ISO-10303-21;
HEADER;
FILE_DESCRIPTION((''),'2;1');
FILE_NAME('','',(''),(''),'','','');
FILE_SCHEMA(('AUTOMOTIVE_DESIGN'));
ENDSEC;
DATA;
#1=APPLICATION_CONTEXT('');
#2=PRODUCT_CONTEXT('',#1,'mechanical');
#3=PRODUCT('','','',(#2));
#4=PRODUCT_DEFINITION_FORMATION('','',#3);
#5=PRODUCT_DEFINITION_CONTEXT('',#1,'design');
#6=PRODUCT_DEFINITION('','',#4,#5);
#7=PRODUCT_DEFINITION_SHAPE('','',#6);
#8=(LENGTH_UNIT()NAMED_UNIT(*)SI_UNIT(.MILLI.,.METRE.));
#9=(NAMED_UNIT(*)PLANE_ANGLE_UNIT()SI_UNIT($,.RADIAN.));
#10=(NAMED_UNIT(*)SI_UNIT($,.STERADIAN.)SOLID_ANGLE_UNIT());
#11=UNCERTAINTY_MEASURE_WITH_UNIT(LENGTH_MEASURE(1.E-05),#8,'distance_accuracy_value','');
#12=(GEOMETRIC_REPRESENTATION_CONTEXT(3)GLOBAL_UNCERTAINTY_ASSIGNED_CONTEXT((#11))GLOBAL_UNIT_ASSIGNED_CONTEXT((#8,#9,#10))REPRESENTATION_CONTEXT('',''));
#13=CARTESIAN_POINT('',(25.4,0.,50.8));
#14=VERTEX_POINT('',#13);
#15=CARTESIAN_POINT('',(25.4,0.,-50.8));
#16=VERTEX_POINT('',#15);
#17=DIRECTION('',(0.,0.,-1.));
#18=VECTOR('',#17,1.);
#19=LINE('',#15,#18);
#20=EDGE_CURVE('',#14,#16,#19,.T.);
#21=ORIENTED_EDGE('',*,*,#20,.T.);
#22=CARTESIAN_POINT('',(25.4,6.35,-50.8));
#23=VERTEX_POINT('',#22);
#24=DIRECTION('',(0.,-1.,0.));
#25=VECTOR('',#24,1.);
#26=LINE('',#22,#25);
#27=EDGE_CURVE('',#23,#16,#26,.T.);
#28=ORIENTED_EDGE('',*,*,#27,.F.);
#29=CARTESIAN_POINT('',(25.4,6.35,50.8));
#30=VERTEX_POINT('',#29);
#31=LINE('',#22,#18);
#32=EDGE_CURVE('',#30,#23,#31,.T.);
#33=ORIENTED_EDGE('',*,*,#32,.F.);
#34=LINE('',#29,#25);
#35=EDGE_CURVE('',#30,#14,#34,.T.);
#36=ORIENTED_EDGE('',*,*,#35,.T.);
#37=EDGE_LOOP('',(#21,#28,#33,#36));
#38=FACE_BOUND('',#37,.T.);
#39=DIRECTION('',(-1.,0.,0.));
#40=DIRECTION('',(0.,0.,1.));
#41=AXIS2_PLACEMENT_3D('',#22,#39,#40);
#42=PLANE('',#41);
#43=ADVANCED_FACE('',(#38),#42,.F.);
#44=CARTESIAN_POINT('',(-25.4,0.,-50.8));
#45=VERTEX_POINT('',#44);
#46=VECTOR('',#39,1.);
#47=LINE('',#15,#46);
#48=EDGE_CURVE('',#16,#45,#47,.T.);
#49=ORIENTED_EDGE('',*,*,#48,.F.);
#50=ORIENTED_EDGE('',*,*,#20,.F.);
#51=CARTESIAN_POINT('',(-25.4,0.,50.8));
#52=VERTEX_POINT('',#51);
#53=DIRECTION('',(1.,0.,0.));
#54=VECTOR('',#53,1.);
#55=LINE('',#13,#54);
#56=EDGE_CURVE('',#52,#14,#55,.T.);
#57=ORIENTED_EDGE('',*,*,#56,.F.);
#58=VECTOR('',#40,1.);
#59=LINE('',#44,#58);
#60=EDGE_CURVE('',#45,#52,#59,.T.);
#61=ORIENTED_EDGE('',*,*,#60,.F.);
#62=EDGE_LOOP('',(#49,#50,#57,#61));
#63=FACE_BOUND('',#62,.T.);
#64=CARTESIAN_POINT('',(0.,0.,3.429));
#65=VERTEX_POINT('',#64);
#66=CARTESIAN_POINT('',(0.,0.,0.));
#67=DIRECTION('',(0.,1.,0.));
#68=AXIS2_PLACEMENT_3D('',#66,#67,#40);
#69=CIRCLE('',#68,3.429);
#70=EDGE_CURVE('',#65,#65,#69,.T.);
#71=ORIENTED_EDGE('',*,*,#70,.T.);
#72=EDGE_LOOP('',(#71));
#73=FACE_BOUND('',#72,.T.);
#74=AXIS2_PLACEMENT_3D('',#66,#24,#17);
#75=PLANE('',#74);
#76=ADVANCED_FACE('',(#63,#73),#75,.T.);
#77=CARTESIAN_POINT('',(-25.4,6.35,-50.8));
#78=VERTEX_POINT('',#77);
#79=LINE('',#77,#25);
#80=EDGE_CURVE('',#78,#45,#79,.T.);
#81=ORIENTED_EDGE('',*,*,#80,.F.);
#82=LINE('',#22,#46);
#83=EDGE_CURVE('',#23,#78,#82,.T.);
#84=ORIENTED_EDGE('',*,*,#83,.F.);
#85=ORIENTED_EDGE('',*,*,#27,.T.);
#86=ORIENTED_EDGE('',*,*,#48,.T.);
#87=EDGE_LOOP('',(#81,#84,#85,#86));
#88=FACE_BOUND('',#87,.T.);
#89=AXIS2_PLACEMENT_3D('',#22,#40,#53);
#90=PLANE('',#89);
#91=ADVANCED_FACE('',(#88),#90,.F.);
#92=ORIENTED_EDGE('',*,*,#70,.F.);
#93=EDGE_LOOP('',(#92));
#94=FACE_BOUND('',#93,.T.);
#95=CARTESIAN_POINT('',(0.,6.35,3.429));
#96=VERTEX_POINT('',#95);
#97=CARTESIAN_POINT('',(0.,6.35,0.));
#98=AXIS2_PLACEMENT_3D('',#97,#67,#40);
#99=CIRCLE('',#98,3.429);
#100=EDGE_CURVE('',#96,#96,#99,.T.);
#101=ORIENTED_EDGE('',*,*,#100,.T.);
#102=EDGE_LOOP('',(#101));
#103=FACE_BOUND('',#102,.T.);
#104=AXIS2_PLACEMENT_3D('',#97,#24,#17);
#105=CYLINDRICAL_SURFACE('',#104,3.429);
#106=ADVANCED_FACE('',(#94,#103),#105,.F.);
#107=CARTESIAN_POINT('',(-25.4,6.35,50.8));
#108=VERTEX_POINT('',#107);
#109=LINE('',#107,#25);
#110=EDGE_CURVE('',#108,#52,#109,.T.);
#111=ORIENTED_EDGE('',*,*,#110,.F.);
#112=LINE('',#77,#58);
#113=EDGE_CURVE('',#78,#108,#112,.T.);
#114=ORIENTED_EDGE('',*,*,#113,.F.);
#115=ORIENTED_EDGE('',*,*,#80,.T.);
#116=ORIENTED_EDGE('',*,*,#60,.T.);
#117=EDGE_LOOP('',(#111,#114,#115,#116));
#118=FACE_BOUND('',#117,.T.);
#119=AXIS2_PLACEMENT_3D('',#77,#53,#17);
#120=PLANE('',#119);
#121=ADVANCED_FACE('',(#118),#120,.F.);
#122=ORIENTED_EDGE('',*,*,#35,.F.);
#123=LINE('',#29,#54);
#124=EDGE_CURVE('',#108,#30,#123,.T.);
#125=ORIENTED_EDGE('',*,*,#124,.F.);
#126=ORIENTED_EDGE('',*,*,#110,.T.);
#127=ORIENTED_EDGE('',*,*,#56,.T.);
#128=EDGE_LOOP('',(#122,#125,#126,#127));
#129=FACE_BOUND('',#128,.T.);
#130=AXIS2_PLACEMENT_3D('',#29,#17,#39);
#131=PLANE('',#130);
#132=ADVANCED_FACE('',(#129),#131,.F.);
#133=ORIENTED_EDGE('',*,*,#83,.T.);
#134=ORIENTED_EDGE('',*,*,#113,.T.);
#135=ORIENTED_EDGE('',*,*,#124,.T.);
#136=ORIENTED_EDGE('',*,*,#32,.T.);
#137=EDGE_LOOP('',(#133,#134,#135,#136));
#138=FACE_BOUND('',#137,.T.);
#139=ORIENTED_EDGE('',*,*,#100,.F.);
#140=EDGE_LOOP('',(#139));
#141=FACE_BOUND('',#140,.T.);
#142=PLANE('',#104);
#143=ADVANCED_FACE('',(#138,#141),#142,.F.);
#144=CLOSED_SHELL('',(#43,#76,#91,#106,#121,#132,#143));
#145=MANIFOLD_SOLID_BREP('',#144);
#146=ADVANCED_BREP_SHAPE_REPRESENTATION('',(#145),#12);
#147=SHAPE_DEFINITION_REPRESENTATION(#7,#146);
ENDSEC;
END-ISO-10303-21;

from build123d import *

# Parameters (mm, degrees)
SKETCH1_W           = 50.8
SKETCH1_H           = 101.6
SKETCH1_R           = 3.429
BOSS_EXTRUDE1_DEPTH = 6.35


with BuildPart() as part:
    # Sketch1 → Boss-Extrude1 (new body)
    with BuildSketch(Plane(origin=(0, 0, 0), x_dir=(1, 0, 0), z_dir=(0, 1, 0))):
        Rectangle(SKETCH1_W, SKETCH1_H)
        with Locations(Location((0, 0, 0), (0, 0, 270))):
            Circle(SKETCH1_R, mode=Mode.SUBTRACT)
    extrude(amount=BOSS_EXTRUDE1_DEPTH)


solid = part.part
